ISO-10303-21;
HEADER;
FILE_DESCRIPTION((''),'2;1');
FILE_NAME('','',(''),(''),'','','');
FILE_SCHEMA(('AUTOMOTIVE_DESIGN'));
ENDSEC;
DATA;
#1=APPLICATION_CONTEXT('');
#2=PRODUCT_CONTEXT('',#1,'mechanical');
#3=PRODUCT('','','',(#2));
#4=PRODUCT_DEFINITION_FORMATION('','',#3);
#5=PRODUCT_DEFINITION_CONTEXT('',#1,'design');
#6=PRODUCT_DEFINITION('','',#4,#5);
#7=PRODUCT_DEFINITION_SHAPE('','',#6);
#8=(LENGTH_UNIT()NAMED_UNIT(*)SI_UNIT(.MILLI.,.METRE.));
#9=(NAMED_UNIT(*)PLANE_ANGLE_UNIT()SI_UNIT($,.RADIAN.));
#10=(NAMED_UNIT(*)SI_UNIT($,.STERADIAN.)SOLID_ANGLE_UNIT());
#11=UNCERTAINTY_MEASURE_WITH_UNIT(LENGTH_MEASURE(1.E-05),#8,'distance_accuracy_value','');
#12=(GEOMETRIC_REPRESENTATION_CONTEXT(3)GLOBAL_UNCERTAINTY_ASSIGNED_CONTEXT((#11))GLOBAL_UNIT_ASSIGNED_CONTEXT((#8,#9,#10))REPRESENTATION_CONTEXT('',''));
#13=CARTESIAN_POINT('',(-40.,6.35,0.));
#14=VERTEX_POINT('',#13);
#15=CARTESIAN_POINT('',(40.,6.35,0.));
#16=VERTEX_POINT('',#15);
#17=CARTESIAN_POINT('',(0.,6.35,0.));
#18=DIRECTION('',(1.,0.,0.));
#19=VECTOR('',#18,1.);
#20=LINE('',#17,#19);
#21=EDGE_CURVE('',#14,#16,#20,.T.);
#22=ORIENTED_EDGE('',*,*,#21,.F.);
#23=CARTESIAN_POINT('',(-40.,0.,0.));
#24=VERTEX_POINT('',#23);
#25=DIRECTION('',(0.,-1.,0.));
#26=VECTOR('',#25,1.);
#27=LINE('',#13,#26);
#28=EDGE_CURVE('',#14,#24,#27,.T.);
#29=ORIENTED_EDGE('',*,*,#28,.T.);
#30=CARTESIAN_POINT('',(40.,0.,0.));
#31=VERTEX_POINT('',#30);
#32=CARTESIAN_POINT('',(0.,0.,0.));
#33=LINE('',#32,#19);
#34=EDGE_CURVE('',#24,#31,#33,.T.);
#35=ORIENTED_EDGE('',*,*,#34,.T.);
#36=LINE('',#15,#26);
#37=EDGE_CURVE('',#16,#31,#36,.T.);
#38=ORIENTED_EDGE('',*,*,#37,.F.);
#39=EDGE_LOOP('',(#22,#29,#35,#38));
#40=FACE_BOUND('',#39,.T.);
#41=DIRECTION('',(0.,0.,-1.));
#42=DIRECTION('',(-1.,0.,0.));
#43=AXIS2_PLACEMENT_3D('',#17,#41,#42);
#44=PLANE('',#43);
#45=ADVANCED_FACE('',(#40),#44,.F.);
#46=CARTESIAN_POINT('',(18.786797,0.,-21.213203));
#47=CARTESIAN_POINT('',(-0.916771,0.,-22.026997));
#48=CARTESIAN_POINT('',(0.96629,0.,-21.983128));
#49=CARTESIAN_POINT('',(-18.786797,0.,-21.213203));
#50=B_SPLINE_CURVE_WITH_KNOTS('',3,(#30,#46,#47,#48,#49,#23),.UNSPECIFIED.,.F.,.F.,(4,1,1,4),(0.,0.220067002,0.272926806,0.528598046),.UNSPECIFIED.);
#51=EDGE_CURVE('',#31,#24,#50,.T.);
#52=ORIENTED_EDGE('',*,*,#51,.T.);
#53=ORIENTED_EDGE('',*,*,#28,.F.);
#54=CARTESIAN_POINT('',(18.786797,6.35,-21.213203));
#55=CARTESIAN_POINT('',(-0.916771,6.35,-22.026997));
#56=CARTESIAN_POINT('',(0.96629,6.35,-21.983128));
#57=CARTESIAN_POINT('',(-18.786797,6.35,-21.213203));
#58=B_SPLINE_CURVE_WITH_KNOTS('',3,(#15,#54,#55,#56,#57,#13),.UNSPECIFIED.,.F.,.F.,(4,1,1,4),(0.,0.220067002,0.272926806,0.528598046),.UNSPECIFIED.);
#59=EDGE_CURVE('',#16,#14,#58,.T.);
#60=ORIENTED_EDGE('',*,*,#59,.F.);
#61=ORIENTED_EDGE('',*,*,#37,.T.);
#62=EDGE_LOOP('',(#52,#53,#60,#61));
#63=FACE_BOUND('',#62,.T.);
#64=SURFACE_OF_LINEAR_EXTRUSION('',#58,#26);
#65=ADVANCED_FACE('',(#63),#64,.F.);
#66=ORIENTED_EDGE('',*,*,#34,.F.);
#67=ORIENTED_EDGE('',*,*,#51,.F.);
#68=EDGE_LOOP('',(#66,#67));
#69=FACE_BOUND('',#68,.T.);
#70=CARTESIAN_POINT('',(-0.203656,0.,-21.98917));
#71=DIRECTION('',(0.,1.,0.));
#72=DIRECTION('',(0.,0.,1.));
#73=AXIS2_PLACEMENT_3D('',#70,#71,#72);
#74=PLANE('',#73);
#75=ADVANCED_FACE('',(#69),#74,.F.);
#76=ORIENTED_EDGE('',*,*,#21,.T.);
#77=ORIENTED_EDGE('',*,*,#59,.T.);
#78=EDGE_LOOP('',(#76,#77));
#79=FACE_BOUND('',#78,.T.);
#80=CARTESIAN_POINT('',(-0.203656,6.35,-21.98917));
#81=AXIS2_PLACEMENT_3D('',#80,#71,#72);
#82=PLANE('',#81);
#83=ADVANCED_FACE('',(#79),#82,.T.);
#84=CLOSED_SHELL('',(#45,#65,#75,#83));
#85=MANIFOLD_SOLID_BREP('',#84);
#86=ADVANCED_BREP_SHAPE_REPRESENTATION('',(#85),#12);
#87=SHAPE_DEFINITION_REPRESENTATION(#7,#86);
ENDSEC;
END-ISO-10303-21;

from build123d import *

# Parameters (mm, degrees)
BOSS_EXTRUDE1_DEPTH = 6.35


with BuildPart() as part:
    # Sketch1 → Boss-Extrude1 (new body)
    with BuildSketch(Plane(origin=(0, 0, 0), x_dir=(1, 0, 0), z_dir=(0, 1, 0))):
        with BuildLine():
            Line((0, 0), (40, 0))
            add(Edge.make_bspline(
                [(-40, 0), (-18.786796564, 21.213203436), (0.966290132, 21.98312806), (-0.916771007, 22.026997476), (18.786796564, 21.213203436), (40, 0)],
                knots=[0, 0, 0, 0, 0.255671239, 0.308531044, 0.528598046, 0.528598046, 0.528598046, 0.528598046], degree=3))
            Line((-40, 0), (0, 0))
        make_face()
    extrude(amount=BOSS_EXTRUDE1_DEPTH)


solid = part.part
